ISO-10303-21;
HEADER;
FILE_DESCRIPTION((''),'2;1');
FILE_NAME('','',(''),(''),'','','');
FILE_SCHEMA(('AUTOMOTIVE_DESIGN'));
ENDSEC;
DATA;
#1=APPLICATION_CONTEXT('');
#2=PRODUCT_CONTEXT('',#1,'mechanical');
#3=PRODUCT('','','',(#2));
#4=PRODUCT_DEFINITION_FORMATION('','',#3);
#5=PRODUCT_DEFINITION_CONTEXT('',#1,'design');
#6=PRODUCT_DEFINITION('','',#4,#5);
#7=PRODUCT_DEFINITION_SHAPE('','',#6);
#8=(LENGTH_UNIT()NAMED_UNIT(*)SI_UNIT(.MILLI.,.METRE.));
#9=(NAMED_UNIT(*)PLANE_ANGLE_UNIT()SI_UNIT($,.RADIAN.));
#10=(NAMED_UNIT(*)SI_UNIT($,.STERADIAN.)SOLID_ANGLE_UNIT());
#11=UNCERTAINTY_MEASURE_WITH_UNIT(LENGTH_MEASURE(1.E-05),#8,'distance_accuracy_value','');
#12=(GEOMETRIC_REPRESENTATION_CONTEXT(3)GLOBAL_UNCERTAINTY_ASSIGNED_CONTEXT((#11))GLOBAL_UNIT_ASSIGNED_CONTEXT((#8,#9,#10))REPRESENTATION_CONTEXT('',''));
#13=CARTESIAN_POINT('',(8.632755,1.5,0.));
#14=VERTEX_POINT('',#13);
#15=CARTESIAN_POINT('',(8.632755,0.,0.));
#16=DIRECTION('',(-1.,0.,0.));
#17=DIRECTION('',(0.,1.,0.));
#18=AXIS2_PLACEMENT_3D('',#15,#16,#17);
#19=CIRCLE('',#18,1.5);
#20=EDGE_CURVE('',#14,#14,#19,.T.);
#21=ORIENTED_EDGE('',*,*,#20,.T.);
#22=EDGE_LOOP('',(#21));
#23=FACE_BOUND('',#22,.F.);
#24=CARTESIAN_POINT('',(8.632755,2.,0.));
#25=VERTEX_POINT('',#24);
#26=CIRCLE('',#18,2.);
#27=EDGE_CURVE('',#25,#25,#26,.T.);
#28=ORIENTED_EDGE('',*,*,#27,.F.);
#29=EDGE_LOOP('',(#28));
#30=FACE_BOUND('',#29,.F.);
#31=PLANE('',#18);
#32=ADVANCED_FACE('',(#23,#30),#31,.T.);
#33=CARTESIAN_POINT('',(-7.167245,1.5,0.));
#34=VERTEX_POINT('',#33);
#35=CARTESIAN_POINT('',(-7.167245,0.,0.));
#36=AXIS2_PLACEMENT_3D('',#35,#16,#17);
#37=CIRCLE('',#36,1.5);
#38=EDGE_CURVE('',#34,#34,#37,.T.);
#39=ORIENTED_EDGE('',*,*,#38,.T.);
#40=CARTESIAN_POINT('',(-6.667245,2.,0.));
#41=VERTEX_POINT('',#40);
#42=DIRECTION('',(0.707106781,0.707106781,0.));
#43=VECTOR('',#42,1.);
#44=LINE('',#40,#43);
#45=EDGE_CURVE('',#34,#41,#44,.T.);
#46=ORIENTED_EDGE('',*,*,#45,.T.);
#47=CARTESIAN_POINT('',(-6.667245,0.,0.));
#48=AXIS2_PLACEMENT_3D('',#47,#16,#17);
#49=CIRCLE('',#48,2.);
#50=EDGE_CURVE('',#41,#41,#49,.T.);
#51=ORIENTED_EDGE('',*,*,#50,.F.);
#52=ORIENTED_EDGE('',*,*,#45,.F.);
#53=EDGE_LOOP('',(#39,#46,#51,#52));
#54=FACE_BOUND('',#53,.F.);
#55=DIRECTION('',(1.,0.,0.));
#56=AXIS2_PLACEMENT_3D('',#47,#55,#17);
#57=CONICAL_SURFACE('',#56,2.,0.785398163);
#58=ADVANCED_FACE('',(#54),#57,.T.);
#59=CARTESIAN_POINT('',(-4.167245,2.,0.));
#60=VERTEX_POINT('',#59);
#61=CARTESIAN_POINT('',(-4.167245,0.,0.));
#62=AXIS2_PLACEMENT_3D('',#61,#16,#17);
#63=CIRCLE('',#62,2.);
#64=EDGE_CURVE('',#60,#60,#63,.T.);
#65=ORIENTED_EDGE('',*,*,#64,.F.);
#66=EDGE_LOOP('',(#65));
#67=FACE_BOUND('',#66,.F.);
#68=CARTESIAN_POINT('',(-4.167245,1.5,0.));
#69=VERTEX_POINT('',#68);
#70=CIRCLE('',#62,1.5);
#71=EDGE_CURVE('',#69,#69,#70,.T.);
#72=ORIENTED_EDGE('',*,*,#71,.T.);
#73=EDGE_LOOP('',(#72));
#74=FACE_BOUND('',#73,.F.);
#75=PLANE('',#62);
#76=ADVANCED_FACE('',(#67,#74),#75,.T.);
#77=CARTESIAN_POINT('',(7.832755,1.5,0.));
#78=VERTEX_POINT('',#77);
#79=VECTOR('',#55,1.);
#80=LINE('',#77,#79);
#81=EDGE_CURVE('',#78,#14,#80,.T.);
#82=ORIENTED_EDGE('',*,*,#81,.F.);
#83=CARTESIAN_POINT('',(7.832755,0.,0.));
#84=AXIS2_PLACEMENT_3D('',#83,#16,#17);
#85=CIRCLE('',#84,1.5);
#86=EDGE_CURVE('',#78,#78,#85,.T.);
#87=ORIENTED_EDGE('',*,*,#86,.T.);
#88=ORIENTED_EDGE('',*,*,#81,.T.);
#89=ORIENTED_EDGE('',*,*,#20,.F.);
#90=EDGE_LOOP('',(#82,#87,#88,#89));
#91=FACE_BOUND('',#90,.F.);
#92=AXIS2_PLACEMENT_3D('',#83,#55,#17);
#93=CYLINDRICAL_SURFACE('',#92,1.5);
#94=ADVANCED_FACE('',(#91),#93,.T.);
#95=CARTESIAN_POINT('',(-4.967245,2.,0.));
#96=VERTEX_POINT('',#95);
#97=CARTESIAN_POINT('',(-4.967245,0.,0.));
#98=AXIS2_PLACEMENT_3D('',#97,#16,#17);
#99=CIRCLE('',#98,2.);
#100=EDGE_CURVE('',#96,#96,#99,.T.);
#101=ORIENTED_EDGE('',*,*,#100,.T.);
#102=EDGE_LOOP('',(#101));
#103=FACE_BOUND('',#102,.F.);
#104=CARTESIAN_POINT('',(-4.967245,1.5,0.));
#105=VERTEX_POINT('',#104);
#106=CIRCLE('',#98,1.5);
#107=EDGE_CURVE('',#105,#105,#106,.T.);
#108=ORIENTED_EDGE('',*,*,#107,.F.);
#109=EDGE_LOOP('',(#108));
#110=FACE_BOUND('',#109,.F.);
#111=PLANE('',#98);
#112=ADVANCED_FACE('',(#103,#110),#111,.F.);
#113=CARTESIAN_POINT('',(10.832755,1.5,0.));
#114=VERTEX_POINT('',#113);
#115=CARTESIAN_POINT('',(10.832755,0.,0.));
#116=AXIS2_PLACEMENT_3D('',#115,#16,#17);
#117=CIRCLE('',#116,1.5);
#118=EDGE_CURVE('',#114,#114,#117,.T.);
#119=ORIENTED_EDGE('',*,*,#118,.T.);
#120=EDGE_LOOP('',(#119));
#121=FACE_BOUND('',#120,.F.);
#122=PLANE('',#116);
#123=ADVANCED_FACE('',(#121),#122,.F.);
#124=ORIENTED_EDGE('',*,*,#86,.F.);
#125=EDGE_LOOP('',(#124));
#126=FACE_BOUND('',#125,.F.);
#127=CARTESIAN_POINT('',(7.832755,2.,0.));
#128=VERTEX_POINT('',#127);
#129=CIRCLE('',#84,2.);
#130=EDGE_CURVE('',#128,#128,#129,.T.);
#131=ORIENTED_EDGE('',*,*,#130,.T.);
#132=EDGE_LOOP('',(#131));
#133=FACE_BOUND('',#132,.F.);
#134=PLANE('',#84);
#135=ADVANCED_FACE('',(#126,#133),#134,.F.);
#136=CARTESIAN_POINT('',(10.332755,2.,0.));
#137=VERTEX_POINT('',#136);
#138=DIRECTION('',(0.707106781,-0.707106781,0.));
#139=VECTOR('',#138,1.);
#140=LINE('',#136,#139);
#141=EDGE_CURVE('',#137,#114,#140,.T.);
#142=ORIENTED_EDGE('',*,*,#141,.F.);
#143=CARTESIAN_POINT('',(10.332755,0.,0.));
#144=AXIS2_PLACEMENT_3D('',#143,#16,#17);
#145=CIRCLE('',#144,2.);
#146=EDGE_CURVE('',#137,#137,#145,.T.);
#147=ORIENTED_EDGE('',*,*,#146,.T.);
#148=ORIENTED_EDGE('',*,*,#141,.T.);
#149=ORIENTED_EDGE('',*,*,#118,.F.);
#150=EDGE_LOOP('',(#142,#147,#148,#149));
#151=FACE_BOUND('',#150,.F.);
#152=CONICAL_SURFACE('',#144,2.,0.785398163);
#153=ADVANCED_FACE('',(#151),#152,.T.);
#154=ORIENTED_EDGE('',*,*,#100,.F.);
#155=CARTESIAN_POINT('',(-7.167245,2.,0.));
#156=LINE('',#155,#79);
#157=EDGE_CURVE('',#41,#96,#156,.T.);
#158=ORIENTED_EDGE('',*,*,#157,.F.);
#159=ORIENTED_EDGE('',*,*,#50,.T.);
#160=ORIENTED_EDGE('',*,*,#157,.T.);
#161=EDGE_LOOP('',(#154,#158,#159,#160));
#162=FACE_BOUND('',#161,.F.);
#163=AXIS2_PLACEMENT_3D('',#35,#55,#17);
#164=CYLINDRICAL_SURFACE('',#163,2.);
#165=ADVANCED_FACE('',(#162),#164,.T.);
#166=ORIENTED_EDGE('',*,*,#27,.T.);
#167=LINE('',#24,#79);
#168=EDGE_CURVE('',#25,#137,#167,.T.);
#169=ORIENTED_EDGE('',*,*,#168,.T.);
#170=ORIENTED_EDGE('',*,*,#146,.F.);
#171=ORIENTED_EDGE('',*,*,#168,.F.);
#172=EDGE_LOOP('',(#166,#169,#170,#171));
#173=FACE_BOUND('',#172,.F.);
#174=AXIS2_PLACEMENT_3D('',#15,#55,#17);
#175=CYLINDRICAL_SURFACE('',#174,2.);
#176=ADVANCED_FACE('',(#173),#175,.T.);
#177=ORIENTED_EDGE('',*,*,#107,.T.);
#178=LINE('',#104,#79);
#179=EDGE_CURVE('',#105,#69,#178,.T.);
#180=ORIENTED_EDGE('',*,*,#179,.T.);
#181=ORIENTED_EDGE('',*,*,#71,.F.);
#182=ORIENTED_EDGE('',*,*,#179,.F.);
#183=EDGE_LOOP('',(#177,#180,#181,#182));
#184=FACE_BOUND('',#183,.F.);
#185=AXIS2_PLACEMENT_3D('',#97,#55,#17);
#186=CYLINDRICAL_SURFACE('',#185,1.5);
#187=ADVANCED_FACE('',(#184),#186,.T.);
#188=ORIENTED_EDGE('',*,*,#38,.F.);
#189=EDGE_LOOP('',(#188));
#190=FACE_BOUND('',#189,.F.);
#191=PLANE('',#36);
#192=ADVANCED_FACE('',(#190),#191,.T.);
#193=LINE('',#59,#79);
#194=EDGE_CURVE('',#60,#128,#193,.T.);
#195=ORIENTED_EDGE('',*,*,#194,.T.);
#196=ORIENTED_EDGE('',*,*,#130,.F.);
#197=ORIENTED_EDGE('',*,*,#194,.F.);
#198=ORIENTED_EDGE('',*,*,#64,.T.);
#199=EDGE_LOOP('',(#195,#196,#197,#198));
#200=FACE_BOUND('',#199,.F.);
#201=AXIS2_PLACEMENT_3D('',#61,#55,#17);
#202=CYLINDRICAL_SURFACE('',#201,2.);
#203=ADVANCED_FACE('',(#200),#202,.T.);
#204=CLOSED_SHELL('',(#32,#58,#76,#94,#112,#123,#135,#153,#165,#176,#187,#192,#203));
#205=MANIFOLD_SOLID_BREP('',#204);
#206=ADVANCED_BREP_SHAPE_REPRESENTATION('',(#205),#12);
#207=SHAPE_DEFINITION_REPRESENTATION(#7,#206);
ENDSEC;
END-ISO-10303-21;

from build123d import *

# Parameters (mm, degrees)
CHAMFER1_SIZE = 0.5


with BuildPart() as part:
    # Sketch1 → Revolve1 (revolve)
    with BuildSketch(Plane.XY):
        Polygon((-7.167245227, 0), (-7.167245227, 2), (-4.967245227, 2), (-4.967245227, 1.5), (-4.167245227, 1.5), (-4.167245227, 2), (7.832754773, 2), (7.832754773, 1.5), (8.632754773, 1.5), (8.632754773, 2), (10.832754773, 2), (10.832754773, 0), align=None)
    revolve(axis=Axis((10.832754773, 0, 0), (-1, 0, 0)))

    # Chamfer1
    chamfer1_edges = [part.edges().sort_by_distance(p)[0] for p in [
        (-7.167245227, -2, 0),
        (10.832754773, -2, 0),
    ]]
    chamfer(chamfer1_edges, length=CHAMFER1_SIZE)


solid = part.part
